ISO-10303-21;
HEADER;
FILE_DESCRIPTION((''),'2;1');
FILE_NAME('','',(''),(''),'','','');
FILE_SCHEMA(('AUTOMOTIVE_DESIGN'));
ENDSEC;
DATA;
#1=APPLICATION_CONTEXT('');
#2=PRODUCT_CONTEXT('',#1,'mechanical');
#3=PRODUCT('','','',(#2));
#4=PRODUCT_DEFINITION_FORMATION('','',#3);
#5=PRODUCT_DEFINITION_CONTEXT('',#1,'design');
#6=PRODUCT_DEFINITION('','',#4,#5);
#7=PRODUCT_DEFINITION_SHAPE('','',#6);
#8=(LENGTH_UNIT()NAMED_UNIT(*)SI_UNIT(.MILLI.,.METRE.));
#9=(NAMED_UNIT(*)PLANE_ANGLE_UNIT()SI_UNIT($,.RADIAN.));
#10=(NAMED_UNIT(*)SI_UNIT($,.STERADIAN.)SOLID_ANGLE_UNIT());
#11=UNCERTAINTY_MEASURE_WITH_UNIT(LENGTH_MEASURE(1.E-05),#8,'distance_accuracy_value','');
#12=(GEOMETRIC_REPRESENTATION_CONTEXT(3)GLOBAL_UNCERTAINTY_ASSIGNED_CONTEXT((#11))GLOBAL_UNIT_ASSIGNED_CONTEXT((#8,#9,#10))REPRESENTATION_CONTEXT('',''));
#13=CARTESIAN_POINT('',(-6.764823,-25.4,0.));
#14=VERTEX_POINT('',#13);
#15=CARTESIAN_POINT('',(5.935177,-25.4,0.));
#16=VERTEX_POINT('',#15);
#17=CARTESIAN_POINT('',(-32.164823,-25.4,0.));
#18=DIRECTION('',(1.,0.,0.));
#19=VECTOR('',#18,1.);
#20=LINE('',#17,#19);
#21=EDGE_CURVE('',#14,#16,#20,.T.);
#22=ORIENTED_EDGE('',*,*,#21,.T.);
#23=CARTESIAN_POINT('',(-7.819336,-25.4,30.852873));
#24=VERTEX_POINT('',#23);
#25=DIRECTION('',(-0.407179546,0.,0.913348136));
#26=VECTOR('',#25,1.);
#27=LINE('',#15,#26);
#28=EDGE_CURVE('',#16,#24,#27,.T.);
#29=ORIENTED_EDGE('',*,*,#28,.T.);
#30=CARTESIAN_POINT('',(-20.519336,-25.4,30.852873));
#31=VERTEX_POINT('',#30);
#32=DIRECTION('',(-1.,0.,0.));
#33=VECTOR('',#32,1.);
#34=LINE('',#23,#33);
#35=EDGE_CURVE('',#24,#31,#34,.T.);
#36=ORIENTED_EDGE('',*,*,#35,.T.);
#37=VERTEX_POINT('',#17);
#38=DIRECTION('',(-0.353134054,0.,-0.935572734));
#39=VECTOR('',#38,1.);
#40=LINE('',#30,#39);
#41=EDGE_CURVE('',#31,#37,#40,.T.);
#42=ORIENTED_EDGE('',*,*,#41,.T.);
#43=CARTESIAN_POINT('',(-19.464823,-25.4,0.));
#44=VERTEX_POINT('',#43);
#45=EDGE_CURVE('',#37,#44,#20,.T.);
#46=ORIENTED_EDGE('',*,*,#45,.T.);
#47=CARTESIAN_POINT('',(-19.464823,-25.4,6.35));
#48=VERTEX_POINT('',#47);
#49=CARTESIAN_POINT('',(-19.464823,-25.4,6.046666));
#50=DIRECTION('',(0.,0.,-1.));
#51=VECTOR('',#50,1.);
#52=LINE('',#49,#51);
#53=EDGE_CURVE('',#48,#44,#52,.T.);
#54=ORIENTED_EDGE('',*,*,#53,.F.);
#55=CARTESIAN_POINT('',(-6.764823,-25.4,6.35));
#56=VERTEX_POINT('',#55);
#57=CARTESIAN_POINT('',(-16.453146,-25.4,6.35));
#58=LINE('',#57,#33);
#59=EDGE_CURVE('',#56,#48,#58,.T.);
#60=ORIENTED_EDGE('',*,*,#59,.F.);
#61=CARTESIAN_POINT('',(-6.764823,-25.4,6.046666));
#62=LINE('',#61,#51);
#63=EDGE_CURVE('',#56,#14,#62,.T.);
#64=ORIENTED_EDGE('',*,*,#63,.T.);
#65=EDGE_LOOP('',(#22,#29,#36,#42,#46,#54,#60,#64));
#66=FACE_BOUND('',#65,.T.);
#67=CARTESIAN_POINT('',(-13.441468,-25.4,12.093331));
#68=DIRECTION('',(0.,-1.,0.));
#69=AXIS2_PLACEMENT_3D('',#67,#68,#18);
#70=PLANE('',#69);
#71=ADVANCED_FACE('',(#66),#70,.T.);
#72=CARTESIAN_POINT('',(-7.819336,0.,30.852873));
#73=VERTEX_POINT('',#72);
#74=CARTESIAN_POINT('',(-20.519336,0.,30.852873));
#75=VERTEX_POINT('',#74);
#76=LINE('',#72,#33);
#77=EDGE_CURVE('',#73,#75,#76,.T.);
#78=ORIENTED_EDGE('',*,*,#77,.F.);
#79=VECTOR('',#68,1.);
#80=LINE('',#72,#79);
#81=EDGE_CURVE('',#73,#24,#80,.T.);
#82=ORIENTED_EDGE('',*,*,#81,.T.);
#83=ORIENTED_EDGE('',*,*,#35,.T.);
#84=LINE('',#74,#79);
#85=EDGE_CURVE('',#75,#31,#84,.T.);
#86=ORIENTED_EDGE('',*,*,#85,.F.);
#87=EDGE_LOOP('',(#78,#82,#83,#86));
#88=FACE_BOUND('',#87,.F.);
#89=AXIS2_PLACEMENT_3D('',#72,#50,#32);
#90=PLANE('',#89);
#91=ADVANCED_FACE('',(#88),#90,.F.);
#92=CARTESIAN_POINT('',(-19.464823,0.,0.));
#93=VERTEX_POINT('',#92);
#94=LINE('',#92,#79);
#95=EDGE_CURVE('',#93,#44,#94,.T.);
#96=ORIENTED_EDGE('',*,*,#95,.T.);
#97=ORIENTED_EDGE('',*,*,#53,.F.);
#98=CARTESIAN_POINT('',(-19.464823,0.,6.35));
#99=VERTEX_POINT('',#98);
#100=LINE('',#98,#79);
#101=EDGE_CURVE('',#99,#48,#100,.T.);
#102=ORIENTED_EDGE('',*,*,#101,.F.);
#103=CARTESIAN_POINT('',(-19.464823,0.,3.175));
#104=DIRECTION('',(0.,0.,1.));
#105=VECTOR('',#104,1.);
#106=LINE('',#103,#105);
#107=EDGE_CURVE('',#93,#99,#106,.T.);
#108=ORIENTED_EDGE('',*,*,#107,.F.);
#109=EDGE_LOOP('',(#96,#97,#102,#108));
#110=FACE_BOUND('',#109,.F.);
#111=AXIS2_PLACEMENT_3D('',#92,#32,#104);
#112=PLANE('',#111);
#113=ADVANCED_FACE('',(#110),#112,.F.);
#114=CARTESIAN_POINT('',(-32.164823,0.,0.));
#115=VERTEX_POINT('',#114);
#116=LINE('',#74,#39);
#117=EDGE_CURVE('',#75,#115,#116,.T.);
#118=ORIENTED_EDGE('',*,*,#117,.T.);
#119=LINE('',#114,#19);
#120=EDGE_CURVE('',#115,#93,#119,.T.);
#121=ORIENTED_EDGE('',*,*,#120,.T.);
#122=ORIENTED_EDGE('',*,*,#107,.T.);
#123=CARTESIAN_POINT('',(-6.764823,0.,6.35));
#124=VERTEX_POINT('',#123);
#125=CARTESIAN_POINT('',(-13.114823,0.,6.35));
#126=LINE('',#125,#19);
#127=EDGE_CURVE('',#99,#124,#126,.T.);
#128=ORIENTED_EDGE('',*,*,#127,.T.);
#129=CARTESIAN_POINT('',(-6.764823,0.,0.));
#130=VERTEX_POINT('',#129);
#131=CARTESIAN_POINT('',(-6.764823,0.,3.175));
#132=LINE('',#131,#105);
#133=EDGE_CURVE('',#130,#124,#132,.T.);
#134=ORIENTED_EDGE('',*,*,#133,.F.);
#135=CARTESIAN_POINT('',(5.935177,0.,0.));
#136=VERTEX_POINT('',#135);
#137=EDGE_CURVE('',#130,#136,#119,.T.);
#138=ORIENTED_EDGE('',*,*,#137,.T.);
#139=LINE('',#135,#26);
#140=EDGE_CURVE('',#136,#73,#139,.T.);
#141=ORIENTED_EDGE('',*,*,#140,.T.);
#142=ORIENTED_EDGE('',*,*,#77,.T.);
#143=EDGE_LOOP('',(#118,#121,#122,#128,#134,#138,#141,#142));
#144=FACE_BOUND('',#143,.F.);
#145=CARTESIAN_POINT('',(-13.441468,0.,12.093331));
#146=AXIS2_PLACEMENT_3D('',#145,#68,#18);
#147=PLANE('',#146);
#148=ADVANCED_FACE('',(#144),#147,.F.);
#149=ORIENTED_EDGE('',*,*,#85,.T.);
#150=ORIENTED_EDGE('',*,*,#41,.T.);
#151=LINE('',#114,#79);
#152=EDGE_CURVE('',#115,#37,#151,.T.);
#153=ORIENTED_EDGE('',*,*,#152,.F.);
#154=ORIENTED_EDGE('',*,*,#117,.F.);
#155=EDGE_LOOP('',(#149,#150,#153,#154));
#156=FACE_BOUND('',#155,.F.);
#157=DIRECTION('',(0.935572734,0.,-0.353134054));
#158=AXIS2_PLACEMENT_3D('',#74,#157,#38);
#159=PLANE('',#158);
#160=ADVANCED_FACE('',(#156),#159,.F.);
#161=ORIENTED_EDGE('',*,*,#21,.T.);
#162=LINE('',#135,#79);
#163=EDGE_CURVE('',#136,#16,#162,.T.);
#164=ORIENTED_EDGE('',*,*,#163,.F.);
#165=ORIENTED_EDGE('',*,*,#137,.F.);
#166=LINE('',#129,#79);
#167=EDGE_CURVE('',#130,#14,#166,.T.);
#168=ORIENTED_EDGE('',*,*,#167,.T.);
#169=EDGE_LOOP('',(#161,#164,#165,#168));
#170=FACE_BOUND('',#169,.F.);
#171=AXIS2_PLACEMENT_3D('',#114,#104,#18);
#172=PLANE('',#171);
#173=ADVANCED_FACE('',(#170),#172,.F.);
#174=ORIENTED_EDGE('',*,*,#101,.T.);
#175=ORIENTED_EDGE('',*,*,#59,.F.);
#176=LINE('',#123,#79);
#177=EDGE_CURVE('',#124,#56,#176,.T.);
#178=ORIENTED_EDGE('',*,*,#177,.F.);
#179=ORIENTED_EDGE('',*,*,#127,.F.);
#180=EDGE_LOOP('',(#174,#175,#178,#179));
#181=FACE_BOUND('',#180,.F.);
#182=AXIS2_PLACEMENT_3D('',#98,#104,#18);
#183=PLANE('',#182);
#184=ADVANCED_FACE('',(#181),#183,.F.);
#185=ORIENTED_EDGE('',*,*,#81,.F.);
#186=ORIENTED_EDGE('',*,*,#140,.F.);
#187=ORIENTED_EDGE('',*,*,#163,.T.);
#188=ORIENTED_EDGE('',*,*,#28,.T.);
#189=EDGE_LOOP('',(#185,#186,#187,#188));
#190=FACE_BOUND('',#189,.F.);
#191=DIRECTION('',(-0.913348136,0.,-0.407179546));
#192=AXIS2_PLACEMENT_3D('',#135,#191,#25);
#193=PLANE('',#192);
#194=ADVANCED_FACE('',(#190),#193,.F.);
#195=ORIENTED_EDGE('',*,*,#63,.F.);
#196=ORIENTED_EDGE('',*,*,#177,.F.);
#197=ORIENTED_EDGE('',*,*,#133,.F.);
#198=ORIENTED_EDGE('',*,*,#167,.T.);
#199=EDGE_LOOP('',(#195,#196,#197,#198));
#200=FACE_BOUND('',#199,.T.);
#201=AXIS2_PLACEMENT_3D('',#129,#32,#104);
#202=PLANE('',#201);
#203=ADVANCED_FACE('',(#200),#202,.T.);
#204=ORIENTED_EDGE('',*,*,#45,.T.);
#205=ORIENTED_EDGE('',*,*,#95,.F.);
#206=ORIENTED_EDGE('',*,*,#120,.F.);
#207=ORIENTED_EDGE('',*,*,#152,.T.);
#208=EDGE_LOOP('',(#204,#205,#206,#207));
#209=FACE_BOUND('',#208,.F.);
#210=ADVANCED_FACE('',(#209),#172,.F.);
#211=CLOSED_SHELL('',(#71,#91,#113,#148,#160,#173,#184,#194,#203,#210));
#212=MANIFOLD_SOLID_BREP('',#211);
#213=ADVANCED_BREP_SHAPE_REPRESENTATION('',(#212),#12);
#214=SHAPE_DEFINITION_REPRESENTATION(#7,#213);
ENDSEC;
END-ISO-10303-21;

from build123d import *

# Parameters (mm, degrees)
F1_DEPTH = 25.4
F2_W     = 12.7
F2_H     = 6.35
F3_DEPTH = 31.75


with BuildPart() as f1:
    # F0 (on Front) → F1 (new body)
    with BuildSketch(Plane.XZ):
        Polygon((-7.819336, 30.852873), (-20.519336, 30.852873), (-32.164823, 0), (5.935177, 0), align=None)
    extrude(amount=F1_DEPTH)

    # F2 (on Front) → F3 (cut)
    with BuildSketch(Plane.XZ):
        with Locations((-13.114823, 3.175)):
            Rectangle(F2_W, F2_H)
    extrude(amount=F3_DEPTH, mode=Mode.SUBTRACT)


solid = f1.part
